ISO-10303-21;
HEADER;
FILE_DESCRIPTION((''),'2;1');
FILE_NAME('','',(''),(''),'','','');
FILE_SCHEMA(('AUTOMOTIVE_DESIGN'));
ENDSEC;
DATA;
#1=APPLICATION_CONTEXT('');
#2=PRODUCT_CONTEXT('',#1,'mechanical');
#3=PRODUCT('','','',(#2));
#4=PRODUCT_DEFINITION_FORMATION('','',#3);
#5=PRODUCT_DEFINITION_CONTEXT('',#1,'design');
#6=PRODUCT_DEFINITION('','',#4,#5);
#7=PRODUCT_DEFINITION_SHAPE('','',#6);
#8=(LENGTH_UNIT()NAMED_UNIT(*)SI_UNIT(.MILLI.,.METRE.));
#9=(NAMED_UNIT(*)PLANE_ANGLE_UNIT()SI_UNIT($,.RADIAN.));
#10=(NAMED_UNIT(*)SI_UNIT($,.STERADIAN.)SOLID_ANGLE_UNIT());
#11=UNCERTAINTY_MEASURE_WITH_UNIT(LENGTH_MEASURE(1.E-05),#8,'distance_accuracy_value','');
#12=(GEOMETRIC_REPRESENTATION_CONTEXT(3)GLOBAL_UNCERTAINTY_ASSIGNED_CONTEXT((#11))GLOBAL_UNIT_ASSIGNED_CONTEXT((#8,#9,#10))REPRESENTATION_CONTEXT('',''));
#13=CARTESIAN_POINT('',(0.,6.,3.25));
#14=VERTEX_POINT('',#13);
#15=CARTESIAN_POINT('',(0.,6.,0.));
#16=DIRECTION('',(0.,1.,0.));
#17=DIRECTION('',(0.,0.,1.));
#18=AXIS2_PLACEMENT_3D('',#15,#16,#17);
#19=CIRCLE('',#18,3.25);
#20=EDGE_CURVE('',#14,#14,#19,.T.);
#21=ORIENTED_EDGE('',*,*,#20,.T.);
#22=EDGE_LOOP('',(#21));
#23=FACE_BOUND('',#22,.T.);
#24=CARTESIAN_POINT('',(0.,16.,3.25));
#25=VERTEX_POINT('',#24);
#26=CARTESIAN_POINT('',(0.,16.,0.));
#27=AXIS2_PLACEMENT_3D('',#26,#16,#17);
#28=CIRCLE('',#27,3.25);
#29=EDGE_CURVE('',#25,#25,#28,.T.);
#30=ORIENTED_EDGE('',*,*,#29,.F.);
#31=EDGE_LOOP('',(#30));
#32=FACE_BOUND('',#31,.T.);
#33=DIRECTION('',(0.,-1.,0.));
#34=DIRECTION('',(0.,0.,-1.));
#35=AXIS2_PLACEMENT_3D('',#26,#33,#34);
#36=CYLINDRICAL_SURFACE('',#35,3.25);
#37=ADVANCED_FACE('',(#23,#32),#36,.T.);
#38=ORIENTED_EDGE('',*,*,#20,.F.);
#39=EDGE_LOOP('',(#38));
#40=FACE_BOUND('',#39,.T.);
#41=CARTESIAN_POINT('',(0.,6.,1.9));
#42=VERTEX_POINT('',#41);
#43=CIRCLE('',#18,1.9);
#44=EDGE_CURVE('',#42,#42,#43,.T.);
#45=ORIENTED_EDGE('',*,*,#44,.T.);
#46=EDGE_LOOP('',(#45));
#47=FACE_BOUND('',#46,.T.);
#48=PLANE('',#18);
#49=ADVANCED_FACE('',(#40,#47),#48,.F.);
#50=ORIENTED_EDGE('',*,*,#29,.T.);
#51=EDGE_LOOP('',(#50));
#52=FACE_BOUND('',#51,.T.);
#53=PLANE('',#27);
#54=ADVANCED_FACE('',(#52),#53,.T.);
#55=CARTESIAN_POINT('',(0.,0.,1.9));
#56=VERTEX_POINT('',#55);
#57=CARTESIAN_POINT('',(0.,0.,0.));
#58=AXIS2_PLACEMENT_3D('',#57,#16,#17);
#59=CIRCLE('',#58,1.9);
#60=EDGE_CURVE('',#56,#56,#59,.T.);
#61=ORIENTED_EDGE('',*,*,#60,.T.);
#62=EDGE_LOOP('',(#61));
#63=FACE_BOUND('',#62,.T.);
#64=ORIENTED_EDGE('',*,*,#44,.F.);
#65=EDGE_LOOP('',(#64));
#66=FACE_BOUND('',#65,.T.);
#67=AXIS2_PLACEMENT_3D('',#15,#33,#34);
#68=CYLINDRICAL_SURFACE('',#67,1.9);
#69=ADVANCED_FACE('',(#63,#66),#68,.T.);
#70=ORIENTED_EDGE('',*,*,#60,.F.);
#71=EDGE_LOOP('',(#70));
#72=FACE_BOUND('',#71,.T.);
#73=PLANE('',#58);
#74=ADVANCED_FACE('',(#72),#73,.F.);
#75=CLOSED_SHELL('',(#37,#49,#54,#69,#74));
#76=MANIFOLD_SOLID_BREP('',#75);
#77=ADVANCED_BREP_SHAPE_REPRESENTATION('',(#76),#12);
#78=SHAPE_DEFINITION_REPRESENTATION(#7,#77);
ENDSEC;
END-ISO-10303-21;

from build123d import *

# Parameters (mm, degrees)
SKETCH_1_R      = 1.9
EXTRUDE_1_DEPTH = 6
SKETCH_2_R      = 3.25
EXTRUDE_2_DEPTH = 10


with BuildPart() as part:
    # 草图1 → 凸台-拉伸1 (new body)
    with BuildSketch(Plane(origin=(0, 0, 0), x_dir=(1, 0, 0), z_dir=(0, 1, 0))):
        with Locations(Location((0, 0, 0), (0, 0, 270))):
            Circle(SKETCH_1_R)
    extrude(amount=EXTRUDE_1_DEPTH)

    # 草图2 → 凸台-拉伸2 (add)
    with BuildSketch(Plane(origin=(0, 6, 0), x_dir=(1, 0, 0), z_dir=(0, 1, 0))):
        with Locations(Location((0, 0, 0), (0, 0, 270))):
            Circle(SKETCH_2_R)
    extrude(amount=EXTRUDE_2_DEPTH)


solid = part.part
